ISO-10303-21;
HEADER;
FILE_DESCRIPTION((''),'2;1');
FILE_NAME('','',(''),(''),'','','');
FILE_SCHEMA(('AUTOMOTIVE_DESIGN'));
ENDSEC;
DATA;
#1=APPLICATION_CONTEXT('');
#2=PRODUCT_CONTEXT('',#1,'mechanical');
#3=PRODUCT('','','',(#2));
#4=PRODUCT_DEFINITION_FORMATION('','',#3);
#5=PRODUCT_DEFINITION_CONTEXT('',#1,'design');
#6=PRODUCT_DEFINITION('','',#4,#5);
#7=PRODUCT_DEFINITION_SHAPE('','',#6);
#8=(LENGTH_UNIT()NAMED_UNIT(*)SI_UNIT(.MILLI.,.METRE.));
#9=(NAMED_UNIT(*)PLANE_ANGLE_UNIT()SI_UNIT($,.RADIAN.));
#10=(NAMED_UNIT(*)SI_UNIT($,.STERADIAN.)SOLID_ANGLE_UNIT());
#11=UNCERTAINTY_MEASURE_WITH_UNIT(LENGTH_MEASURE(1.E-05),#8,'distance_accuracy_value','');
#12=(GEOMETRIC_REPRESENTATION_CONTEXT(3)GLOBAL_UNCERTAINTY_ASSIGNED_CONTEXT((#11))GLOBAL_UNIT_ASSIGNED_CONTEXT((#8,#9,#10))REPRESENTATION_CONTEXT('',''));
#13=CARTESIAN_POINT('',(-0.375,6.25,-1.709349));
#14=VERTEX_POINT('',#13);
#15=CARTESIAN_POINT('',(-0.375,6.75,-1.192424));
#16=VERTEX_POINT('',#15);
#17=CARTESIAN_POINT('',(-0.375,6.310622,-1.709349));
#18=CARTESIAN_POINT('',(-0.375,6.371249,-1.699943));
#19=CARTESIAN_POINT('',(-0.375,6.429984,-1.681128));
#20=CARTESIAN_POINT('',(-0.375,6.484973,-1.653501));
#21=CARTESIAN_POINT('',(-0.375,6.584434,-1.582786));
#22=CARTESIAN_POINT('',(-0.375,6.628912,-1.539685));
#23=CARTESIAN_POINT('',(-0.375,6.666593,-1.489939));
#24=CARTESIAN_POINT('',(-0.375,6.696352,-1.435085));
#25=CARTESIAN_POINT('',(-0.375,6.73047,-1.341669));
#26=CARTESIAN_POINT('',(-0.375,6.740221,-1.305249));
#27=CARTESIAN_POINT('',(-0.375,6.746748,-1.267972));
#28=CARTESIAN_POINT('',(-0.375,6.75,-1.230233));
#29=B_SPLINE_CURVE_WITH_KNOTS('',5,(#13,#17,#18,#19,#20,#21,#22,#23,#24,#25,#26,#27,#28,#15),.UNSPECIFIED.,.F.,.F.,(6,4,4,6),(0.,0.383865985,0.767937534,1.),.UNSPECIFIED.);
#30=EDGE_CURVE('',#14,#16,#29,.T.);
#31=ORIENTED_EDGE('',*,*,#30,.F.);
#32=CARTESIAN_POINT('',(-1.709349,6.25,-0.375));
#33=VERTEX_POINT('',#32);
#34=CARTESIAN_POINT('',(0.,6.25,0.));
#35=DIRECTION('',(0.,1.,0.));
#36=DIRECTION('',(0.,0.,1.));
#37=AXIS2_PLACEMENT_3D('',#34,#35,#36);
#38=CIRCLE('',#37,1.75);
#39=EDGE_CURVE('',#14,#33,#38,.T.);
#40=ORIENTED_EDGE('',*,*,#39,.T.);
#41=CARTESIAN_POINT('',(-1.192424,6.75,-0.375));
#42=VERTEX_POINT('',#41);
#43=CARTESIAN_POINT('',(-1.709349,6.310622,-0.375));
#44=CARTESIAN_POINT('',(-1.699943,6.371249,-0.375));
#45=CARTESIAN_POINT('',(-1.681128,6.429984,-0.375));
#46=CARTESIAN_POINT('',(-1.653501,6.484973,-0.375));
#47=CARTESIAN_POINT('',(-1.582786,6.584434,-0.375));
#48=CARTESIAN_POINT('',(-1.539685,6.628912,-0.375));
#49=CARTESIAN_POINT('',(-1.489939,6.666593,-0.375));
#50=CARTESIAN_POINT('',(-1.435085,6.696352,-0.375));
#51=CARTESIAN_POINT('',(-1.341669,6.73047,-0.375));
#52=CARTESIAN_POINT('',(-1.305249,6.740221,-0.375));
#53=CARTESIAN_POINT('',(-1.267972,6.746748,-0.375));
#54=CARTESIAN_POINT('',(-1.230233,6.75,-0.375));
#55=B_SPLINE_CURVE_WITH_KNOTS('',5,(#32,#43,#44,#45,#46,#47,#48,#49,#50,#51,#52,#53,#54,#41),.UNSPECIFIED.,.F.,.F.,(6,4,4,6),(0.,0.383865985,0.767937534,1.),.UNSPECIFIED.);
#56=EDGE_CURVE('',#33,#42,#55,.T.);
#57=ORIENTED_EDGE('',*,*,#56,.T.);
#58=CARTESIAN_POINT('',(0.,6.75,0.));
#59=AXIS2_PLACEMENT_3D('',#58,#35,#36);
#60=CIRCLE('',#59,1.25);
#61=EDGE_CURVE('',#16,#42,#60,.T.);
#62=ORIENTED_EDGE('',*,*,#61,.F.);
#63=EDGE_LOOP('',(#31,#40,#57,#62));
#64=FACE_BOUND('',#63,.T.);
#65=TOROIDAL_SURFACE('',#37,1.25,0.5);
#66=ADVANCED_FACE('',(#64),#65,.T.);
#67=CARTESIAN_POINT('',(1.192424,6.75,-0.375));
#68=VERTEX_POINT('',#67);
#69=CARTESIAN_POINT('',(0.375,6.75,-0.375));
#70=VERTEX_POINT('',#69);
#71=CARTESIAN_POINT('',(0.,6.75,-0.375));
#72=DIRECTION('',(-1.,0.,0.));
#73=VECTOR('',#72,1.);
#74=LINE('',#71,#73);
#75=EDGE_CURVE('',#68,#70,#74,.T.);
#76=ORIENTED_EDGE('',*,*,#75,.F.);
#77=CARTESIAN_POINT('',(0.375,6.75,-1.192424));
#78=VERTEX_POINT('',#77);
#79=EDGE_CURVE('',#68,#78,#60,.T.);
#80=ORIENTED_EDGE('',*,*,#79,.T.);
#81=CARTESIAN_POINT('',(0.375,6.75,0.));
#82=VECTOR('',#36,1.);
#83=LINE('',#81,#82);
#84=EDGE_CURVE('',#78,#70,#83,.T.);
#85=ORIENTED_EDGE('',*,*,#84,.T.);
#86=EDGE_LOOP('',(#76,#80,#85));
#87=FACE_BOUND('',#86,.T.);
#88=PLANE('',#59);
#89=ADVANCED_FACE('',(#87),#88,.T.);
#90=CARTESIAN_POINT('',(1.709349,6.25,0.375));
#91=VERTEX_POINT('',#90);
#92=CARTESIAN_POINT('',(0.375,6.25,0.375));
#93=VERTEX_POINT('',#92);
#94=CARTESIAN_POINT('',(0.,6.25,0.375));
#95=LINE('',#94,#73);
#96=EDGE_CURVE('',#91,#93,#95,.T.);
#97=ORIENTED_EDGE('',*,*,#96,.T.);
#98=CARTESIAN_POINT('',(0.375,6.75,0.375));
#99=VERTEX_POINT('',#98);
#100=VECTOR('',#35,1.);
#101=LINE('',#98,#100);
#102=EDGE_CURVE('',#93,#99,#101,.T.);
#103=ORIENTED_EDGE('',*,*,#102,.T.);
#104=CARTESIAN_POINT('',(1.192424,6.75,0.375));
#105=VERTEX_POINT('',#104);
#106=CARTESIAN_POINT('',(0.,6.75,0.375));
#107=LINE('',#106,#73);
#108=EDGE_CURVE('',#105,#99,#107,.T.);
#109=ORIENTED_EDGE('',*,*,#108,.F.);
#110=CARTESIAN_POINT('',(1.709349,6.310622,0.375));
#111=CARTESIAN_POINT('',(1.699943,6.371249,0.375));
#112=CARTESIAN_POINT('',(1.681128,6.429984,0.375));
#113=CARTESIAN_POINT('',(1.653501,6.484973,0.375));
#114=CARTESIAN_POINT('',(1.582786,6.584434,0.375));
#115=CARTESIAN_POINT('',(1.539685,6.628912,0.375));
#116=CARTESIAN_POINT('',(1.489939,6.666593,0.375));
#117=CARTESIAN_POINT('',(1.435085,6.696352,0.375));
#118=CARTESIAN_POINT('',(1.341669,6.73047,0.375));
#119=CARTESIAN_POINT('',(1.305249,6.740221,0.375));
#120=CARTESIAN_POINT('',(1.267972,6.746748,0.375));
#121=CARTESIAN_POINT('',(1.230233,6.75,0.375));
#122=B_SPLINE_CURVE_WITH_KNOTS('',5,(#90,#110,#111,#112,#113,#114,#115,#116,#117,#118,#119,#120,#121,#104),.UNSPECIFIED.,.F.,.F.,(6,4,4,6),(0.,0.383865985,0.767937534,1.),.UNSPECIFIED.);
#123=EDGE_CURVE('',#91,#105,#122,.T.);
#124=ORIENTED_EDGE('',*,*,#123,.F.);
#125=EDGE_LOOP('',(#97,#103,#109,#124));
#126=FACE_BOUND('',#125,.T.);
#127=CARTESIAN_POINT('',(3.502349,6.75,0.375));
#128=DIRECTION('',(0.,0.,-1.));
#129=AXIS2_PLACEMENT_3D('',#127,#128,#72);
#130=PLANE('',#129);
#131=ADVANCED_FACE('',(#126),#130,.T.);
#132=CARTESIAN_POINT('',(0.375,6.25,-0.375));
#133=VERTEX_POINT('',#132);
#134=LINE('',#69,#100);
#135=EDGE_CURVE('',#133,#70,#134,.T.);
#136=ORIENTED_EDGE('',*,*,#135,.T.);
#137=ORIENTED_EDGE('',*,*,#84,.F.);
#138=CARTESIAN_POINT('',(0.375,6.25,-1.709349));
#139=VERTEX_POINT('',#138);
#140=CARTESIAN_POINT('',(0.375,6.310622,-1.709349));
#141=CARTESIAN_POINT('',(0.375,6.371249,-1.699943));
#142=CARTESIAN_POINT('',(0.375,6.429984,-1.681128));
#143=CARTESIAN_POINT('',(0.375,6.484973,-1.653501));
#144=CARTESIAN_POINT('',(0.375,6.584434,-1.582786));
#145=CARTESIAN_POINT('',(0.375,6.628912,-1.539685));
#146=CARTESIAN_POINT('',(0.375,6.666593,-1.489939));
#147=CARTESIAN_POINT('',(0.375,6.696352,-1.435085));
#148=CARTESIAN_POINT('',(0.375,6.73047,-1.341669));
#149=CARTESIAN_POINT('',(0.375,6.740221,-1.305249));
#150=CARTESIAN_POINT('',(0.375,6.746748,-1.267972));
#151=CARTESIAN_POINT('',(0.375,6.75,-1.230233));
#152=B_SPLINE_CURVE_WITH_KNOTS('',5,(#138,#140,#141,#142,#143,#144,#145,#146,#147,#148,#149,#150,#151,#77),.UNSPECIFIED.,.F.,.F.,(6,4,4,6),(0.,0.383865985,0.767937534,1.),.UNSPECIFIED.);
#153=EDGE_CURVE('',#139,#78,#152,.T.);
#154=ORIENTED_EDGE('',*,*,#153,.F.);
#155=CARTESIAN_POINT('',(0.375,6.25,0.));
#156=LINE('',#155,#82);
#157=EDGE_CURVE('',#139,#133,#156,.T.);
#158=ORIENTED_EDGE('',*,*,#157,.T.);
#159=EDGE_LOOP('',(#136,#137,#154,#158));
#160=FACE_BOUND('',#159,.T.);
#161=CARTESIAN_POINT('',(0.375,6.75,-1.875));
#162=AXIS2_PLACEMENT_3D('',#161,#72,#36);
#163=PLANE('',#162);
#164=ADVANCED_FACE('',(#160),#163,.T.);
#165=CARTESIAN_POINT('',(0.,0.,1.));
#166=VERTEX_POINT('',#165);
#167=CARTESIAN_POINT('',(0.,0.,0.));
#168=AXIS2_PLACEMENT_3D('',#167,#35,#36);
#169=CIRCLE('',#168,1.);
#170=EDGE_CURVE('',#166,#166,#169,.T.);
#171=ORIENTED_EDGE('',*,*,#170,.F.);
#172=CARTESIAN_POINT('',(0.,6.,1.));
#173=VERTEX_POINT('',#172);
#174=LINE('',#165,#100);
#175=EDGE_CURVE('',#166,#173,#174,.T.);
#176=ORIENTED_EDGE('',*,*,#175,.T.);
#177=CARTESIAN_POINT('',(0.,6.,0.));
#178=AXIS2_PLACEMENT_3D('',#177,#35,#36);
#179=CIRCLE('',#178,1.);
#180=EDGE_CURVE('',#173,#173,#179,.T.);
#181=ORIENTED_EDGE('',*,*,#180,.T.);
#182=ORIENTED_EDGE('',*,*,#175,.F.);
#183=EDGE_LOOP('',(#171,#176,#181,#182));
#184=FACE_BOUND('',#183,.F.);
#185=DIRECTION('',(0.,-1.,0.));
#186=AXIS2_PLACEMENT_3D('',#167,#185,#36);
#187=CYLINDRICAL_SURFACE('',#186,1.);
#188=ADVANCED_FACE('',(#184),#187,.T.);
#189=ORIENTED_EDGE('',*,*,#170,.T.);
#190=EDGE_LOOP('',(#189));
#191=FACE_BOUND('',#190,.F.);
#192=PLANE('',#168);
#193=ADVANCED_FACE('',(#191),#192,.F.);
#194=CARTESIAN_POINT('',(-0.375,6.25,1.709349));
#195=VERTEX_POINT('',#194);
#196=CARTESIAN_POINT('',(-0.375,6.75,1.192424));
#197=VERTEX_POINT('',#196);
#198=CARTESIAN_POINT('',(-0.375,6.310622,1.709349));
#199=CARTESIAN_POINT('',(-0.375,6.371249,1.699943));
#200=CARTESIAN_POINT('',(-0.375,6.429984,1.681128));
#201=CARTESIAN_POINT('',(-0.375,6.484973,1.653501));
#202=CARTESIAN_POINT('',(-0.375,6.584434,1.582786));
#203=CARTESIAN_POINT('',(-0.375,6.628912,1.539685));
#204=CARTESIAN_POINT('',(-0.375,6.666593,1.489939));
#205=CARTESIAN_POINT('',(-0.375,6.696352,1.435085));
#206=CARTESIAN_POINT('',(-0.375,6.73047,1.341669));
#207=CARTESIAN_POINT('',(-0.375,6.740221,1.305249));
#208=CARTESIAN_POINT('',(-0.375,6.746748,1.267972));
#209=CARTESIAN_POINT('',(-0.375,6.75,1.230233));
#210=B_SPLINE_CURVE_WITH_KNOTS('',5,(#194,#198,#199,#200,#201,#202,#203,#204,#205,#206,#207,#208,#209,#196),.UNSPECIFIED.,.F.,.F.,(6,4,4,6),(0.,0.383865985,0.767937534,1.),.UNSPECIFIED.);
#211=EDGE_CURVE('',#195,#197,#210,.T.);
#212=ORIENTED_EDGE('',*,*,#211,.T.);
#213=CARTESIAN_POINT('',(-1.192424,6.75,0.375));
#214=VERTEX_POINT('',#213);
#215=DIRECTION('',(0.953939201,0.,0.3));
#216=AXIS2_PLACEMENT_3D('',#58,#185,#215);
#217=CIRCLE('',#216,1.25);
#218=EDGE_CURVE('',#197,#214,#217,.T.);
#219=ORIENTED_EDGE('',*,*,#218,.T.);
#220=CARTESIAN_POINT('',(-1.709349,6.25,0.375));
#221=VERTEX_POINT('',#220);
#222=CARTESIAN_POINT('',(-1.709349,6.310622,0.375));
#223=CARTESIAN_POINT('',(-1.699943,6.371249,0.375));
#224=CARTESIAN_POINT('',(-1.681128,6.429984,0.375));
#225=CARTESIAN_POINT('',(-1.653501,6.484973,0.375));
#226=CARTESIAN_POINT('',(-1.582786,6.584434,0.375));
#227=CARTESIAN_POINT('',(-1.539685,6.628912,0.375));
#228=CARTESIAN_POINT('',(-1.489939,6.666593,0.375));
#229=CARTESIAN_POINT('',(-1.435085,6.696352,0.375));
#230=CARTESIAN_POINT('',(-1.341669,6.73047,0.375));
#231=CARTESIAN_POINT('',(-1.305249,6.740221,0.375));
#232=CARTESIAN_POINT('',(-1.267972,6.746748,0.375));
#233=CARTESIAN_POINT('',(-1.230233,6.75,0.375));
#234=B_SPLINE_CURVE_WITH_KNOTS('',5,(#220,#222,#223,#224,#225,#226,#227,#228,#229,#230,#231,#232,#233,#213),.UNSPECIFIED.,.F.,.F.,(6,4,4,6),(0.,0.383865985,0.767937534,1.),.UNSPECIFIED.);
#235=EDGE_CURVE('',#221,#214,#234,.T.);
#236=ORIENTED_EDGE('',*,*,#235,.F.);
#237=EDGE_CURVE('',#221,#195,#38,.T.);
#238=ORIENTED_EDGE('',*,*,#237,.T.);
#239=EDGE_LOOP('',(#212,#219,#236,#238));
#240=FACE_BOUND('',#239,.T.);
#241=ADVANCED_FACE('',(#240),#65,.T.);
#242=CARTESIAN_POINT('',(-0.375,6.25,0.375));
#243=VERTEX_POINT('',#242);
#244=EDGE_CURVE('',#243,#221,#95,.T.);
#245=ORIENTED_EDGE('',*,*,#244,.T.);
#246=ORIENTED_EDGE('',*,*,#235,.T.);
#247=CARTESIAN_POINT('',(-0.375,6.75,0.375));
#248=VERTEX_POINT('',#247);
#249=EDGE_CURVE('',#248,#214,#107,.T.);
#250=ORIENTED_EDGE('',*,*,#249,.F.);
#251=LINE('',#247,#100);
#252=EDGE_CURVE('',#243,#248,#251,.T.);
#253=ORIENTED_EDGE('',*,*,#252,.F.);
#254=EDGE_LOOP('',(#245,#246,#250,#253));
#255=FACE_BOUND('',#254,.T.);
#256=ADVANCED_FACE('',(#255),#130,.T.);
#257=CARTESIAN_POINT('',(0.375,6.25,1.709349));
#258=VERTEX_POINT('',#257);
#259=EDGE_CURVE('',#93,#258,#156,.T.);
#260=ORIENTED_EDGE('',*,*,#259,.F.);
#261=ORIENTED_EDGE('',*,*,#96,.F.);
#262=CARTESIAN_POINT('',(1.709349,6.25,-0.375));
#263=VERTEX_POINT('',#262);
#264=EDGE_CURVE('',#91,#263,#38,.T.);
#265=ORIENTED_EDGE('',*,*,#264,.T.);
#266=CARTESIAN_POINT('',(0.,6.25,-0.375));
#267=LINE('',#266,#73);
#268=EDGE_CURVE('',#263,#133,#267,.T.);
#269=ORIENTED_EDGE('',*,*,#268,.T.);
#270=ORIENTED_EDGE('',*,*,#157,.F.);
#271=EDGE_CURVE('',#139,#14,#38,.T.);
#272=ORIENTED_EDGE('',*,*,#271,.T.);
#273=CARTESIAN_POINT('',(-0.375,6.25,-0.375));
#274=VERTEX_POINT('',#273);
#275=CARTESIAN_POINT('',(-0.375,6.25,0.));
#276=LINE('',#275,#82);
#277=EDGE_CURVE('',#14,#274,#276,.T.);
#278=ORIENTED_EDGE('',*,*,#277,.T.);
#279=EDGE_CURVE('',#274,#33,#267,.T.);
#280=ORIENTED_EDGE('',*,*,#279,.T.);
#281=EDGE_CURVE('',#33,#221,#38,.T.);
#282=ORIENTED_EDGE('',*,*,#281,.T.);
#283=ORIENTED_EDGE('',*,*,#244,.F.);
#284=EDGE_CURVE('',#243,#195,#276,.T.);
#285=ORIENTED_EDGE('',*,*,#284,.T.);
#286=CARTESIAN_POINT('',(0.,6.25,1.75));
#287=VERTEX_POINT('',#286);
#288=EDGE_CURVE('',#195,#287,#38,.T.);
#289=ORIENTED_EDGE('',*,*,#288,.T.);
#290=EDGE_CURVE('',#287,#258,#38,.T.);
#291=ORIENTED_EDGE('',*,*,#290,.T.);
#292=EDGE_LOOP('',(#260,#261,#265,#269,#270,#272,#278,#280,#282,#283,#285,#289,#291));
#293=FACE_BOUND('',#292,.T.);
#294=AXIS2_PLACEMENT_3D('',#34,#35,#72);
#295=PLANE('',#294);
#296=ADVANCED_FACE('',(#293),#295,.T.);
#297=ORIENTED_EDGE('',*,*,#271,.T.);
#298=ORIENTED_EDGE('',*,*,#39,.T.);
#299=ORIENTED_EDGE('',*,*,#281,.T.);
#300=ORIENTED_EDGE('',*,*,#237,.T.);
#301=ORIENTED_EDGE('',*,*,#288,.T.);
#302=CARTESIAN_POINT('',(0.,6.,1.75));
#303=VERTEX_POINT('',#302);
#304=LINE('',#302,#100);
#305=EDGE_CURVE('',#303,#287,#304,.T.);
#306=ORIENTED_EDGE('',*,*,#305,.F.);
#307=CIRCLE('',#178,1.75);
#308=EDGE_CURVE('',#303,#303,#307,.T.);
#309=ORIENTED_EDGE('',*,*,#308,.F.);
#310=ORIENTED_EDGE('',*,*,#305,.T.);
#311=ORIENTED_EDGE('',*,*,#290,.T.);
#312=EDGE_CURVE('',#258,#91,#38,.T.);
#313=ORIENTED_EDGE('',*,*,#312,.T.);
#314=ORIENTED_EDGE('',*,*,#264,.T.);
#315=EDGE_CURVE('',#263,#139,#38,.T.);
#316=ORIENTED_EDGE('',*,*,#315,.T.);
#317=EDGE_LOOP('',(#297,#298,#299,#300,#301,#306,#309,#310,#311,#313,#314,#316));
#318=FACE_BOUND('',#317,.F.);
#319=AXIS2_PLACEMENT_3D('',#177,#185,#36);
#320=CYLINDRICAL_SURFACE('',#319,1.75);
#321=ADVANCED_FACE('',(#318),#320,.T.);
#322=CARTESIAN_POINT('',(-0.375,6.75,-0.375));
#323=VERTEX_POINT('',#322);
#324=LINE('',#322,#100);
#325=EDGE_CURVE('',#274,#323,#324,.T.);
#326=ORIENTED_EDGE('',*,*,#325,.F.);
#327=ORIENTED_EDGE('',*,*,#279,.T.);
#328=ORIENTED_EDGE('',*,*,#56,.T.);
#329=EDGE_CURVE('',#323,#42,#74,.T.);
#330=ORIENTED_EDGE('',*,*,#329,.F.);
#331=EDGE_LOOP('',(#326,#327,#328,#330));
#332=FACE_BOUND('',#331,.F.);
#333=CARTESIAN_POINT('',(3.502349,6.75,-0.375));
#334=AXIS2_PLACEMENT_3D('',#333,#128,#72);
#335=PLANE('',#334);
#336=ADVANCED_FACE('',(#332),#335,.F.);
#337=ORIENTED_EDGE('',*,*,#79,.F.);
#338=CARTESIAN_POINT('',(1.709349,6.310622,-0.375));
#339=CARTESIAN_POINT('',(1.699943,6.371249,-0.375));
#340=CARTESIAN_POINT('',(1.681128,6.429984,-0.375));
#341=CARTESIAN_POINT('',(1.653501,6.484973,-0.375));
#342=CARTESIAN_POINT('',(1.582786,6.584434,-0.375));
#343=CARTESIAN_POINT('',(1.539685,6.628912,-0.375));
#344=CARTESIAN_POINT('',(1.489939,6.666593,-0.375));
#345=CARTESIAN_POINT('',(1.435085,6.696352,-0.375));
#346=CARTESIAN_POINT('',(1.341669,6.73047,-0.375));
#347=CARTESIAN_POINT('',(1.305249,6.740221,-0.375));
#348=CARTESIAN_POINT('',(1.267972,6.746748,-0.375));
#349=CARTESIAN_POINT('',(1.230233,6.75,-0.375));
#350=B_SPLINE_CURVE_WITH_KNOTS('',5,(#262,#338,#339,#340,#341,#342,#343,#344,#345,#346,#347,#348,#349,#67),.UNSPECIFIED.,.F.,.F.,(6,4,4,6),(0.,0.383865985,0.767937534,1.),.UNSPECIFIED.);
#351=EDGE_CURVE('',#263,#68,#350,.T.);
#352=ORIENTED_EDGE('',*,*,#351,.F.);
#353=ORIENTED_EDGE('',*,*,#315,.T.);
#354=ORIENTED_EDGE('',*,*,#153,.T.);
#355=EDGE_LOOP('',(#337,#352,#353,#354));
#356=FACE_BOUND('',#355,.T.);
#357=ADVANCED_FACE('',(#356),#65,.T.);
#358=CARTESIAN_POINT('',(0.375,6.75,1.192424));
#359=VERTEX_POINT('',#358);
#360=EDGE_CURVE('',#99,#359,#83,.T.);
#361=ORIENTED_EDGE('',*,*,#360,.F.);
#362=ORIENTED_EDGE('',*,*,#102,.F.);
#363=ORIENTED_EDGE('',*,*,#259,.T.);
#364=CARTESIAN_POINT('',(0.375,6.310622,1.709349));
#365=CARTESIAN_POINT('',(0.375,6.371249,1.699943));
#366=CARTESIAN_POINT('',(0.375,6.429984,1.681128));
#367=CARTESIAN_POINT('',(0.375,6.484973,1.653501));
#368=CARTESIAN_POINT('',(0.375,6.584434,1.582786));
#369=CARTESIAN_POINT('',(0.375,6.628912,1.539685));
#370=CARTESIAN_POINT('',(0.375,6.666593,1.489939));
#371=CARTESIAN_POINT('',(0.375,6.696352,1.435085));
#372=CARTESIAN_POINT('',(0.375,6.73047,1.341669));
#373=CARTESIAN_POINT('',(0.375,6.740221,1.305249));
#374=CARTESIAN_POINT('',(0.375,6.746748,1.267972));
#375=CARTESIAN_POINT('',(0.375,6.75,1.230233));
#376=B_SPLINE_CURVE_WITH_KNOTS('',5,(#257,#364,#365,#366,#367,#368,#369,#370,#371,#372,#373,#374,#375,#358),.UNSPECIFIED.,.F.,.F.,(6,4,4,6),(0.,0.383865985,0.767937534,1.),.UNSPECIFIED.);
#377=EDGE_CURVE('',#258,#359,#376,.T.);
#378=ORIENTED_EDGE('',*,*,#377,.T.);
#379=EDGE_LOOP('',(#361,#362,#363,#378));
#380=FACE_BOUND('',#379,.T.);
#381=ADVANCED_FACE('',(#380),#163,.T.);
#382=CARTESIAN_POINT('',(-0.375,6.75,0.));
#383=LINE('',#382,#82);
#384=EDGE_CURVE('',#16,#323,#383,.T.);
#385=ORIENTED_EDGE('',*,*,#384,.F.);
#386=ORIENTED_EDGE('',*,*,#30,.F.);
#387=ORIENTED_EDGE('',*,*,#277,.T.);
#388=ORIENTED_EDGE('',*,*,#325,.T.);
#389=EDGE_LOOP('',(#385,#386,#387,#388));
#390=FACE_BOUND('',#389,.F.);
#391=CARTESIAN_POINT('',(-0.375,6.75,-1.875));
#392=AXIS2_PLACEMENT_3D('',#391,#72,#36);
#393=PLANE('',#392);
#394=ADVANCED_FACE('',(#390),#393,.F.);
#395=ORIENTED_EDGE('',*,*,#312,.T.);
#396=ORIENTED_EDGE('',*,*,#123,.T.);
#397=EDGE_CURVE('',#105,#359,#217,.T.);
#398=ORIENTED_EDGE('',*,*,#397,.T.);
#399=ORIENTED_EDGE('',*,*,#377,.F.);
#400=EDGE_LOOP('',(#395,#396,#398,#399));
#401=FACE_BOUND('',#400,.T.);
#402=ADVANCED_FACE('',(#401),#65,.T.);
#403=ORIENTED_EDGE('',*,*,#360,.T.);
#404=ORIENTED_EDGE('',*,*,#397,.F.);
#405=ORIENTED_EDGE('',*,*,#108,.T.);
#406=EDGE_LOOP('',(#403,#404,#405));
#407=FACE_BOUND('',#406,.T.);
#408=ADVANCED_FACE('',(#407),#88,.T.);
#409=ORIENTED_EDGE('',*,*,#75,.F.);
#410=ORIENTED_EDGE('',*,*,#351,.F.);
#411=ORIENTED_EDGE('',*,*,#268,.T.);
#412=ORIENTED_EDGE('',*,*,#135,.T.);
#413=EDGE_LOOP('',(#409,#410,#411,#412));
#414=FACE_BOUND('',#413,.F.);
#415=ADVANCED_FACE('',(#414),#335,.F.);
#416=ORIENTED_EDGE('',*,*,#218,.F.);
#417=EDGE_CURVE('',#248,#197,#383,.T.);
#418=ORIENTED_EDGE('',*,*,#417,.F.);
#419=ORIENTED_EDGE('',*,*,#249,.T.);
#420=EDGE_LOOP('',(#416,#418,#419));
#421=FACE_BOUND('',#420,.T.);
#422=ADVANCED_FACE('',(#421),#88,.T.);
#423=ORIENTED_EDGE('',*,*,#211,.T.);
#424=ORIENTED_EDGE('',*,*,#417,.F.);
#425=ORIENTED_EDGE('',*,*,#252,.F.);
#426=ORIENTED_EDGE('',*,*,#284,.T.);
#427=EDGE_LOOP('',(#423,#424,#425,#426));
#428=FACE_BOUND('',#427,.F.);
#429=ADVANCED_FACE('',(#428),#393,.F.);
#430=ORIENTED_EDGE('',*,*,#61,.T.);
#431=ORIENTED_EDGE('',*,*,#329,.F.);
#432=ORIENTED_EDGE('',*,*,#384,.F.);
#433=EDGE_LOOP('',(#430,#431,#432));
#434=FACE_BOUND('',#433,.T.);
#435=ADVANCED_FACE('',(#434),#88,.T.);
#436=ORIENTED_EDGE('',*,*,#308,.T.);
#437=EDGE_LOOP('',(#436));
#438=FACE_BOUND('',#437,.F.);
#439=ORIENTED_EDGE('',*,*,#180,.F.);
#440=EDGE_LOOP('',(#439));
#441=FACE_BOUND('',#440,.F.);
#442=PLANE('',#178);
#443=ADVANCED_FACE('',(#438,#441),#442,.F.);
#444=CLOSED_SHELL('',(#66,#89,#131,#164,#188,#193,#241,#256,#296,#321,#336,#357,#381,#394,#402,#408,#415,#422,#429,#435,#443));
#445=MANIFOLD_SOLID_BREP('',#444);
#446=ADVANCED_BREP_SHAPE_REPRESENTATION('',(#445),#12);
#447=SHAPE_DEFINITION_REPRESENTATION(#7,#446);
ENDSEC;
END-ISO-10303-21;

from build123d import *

# Parameters (mm, degrees)
SKETCH_1_R          = 1
EXTRUDE_1_DEPTH     = 6
SKETCH_2_R          = 1.75
EXTRUDE_2_DEPTH     = 0.75
FILLET_1_R          = 0.5
SKETCH_3_W          = 7.004697232
SKETCH_3_H          = 0.75
CUT_EXTRUDE_1_DEPTH = 0.5
SKETCH_4_W          = 0.75
SKETCH_4_H          = 3.75
CUT_EXTRUDE_2_DEPTH = 0.5


with BuildPart() as part:
    # 草图1 → 拉伸1 (new body)
    with BuildSketch(Plane(origin=(0, 0, 0), x_dir=(1, 0, 0), z_dir=(0, 1, 0))):
        with Locations(Location((0, 0, 0), (0, 0, 270))):
            Circle(SKETCH_1_R)
    extrude(amount=EXTRUDE_1_DEPTH)

    # 草图2 → 拉伸2 (add)
    with BuildSketch(Plane(origin=(0, 6, 0), x_dir=(-1, 0, 0), z_dir=(0, 1, 0))):
        with Locations(Location((0, 0, 0), (0, 0, 90))):
            Circle(SKETCH_2_R)
    extrude(amount=EXTRUDE_2_DEPTH)

    # 圆角1
    fillet_1_edges = [part.edges().sort_by_distance(p)[0] for p in [
        (0, 6.75, -1.75),
    ]]
    fillet(fillet_1_edges, radius=FILLET_1_R)

    # 草图3 → 切除-拉伸1 (cut)
    with BuildSketch(Plane(origin=(0, 6.75, 0), x_dir=(-1, 0, 0), z_dir=(0, 1, 0))):
        Rectangle(SKETCH_3_W, SKETCH_3_H)
    extrude(amount=-CUT_EXTRUDE_1_DEPTH, mode=Mode.SUBTRACT)

    # 草图4 → 切除-拉伸2 (cut)
    with BuildSketch(Plane(origin=(0, 6.75, 0), x_dir=(-1, 0, 0), z_dir=(0, 1, 0))):
        Rectangle(SKETCH_4_W, SKETCH_4_H)
    extrude(amount=-CUT_EXTRUDE_2_DEPTH, mode=Mode.SUBTRACT)


solid = part.part
